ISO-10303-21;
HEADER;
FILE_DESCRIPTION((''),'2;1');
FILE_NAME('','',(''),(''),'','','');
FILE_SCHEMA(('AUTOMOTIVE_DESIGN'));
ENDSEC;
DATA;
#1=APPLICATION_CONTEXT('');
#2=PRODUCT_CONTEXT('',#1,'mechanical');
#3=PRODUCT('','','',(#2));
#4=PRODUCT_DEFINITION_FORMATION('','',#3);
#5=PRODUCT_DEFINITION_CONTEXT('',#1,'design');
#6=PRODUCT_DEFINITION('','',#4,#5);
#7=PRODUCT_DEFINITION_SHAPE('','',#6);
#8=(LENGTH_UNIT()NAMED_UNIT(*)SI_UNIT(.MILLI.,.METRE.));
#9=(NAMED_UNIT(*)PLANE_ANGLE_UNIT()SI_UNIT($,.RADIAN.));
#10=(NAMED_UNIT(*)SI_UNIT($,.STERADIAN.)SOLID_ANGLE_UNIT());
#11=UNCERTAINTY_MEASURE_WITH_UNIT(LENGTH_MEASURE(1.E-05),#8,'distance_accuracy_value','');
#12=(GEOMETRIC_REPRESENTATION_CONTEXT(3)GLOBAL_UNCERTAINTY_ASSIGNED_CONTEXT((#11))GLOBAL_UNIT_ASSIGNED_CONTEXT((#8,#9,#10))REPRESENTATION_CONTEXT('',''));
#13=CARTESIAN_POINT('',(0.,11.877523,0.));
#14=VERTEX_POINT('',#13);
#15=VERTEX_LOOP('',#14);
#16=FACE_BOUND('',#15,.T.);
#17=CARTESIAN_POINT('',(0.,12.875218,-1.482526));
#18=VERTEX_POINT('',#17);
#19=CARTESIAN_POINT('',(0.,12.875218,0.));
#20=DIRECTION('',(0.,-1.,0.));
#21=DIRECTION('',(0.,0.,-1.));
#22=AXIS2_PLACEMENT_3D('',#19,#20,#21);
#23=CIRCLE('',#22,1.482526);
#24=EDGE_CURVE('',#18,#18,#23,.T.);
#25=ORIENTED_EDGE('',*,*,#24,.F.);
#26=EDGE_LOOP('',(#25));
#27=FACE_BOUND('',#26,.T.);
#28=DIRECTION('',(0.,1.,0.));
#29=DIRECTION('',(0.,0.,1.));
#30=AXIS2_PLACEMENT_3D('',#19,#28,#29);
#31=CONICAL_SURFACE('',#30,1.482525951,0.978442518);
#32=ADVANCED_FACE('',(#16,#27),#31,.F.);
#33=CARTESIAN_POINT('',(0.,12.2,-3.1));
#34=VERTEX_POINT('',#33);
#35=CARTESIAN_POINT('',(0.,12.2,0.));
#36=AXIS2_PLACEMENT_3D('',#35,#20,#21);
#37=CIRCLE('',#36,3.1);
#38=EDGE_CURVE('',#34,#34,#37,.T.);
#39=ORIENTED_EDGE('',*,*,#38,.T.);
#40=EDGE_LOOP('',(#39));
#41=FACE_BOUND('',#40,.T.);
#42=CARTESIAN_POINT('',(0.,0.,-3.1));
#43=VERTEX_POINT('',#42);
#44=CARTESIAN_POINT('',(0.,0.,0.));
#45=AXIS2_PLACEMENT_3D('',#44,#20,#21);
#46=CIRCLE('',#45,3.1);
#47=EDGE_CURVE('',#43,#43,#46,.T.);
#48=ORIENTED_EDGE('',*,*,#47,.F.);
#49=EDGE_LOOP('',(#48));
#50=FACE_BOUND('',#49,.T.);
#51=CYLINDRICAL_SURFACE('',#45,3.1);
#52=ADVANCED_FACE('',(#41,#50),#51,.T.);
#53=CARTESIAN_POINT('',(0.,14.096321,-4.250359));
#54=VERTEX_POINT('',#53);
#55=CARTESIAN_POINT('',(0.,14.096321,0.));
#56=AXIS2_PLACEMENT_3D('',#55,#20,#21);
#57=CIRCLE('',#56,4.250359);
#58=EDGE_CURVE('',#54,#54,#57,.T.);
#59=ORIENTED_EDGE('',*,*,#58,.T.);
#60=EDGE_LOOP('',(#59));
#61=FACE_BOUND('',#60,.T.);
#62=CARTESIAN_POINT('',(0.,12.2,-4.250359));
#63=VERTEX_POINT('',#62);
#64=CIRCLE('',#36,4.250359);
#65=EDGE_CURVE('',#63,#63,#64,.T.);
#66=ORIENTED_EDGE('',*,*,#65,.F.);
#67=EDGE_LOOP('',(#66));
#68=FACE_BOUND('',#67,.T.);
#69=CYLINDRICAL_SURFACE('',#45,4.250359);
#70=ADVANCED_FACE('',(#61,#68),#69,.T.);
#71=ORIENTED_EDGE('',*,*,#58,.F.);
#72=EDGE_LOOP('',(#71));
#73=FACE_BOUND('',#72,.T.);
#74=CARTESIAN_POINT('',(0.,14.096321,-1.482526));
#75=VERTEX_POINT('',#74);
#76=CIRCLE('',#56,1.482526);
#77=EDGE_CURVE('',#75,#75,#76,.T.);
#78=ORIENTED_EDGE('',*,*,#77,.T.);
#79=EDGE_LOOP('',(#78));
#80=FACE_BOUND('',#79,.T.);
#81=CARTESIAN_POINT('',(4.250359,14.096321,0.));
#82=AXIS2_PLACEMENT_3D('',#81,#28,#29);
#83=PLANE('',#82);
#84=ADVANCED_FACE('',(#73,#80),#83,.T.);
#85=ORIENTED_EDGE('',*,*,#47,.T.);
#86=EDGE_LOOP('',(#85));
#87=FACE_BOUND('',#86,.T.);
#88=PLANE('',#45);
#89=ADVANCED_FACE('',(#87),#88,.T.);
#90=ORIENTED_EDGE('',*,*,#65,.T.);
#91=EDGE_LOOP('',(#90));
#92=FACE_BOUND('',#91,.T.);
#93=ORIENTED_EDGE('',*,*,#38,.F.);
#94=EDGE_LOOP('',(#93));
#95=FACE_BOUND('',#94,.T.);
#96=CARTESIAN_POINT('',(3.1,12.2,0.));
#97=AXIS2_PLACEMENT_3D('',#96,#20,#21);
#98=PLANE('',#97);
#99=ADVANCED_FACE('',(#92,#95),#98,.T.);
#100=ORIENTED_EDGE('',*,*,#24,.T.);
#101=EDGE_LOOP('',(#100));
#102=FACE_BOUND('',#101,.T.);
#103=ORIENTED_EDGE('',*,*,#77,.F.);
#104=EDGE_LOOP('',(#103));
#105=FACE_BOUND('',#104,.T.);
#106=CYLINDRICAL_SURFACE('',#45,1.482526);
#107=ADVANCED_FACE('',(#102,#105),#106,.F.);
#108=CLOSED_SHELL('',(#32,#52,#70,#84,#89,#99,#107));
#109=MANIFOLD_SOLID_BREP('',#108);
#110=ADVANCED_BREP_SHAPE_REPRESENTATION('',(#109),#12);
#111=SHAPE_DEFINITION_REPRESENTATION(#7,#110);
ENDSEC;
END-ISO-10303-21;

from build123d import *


with BuildPart() as part:
    # Sketch1 → Revolve1 (revolve)
    with BuildSketch(Plane.XY):
        Polygon((0, 0), (3.1, 0), (3.1, 12.2), (4.250358509, 12.2), (4.250358509, 14.096320757), (1.482525951, 14.096320757), (1.482525951, 12.875218158), (0, 11.877522571), align=None)
    revolve(axis=Axis((0, 0, 0), (0, 1, 0)))


solid = part.part
